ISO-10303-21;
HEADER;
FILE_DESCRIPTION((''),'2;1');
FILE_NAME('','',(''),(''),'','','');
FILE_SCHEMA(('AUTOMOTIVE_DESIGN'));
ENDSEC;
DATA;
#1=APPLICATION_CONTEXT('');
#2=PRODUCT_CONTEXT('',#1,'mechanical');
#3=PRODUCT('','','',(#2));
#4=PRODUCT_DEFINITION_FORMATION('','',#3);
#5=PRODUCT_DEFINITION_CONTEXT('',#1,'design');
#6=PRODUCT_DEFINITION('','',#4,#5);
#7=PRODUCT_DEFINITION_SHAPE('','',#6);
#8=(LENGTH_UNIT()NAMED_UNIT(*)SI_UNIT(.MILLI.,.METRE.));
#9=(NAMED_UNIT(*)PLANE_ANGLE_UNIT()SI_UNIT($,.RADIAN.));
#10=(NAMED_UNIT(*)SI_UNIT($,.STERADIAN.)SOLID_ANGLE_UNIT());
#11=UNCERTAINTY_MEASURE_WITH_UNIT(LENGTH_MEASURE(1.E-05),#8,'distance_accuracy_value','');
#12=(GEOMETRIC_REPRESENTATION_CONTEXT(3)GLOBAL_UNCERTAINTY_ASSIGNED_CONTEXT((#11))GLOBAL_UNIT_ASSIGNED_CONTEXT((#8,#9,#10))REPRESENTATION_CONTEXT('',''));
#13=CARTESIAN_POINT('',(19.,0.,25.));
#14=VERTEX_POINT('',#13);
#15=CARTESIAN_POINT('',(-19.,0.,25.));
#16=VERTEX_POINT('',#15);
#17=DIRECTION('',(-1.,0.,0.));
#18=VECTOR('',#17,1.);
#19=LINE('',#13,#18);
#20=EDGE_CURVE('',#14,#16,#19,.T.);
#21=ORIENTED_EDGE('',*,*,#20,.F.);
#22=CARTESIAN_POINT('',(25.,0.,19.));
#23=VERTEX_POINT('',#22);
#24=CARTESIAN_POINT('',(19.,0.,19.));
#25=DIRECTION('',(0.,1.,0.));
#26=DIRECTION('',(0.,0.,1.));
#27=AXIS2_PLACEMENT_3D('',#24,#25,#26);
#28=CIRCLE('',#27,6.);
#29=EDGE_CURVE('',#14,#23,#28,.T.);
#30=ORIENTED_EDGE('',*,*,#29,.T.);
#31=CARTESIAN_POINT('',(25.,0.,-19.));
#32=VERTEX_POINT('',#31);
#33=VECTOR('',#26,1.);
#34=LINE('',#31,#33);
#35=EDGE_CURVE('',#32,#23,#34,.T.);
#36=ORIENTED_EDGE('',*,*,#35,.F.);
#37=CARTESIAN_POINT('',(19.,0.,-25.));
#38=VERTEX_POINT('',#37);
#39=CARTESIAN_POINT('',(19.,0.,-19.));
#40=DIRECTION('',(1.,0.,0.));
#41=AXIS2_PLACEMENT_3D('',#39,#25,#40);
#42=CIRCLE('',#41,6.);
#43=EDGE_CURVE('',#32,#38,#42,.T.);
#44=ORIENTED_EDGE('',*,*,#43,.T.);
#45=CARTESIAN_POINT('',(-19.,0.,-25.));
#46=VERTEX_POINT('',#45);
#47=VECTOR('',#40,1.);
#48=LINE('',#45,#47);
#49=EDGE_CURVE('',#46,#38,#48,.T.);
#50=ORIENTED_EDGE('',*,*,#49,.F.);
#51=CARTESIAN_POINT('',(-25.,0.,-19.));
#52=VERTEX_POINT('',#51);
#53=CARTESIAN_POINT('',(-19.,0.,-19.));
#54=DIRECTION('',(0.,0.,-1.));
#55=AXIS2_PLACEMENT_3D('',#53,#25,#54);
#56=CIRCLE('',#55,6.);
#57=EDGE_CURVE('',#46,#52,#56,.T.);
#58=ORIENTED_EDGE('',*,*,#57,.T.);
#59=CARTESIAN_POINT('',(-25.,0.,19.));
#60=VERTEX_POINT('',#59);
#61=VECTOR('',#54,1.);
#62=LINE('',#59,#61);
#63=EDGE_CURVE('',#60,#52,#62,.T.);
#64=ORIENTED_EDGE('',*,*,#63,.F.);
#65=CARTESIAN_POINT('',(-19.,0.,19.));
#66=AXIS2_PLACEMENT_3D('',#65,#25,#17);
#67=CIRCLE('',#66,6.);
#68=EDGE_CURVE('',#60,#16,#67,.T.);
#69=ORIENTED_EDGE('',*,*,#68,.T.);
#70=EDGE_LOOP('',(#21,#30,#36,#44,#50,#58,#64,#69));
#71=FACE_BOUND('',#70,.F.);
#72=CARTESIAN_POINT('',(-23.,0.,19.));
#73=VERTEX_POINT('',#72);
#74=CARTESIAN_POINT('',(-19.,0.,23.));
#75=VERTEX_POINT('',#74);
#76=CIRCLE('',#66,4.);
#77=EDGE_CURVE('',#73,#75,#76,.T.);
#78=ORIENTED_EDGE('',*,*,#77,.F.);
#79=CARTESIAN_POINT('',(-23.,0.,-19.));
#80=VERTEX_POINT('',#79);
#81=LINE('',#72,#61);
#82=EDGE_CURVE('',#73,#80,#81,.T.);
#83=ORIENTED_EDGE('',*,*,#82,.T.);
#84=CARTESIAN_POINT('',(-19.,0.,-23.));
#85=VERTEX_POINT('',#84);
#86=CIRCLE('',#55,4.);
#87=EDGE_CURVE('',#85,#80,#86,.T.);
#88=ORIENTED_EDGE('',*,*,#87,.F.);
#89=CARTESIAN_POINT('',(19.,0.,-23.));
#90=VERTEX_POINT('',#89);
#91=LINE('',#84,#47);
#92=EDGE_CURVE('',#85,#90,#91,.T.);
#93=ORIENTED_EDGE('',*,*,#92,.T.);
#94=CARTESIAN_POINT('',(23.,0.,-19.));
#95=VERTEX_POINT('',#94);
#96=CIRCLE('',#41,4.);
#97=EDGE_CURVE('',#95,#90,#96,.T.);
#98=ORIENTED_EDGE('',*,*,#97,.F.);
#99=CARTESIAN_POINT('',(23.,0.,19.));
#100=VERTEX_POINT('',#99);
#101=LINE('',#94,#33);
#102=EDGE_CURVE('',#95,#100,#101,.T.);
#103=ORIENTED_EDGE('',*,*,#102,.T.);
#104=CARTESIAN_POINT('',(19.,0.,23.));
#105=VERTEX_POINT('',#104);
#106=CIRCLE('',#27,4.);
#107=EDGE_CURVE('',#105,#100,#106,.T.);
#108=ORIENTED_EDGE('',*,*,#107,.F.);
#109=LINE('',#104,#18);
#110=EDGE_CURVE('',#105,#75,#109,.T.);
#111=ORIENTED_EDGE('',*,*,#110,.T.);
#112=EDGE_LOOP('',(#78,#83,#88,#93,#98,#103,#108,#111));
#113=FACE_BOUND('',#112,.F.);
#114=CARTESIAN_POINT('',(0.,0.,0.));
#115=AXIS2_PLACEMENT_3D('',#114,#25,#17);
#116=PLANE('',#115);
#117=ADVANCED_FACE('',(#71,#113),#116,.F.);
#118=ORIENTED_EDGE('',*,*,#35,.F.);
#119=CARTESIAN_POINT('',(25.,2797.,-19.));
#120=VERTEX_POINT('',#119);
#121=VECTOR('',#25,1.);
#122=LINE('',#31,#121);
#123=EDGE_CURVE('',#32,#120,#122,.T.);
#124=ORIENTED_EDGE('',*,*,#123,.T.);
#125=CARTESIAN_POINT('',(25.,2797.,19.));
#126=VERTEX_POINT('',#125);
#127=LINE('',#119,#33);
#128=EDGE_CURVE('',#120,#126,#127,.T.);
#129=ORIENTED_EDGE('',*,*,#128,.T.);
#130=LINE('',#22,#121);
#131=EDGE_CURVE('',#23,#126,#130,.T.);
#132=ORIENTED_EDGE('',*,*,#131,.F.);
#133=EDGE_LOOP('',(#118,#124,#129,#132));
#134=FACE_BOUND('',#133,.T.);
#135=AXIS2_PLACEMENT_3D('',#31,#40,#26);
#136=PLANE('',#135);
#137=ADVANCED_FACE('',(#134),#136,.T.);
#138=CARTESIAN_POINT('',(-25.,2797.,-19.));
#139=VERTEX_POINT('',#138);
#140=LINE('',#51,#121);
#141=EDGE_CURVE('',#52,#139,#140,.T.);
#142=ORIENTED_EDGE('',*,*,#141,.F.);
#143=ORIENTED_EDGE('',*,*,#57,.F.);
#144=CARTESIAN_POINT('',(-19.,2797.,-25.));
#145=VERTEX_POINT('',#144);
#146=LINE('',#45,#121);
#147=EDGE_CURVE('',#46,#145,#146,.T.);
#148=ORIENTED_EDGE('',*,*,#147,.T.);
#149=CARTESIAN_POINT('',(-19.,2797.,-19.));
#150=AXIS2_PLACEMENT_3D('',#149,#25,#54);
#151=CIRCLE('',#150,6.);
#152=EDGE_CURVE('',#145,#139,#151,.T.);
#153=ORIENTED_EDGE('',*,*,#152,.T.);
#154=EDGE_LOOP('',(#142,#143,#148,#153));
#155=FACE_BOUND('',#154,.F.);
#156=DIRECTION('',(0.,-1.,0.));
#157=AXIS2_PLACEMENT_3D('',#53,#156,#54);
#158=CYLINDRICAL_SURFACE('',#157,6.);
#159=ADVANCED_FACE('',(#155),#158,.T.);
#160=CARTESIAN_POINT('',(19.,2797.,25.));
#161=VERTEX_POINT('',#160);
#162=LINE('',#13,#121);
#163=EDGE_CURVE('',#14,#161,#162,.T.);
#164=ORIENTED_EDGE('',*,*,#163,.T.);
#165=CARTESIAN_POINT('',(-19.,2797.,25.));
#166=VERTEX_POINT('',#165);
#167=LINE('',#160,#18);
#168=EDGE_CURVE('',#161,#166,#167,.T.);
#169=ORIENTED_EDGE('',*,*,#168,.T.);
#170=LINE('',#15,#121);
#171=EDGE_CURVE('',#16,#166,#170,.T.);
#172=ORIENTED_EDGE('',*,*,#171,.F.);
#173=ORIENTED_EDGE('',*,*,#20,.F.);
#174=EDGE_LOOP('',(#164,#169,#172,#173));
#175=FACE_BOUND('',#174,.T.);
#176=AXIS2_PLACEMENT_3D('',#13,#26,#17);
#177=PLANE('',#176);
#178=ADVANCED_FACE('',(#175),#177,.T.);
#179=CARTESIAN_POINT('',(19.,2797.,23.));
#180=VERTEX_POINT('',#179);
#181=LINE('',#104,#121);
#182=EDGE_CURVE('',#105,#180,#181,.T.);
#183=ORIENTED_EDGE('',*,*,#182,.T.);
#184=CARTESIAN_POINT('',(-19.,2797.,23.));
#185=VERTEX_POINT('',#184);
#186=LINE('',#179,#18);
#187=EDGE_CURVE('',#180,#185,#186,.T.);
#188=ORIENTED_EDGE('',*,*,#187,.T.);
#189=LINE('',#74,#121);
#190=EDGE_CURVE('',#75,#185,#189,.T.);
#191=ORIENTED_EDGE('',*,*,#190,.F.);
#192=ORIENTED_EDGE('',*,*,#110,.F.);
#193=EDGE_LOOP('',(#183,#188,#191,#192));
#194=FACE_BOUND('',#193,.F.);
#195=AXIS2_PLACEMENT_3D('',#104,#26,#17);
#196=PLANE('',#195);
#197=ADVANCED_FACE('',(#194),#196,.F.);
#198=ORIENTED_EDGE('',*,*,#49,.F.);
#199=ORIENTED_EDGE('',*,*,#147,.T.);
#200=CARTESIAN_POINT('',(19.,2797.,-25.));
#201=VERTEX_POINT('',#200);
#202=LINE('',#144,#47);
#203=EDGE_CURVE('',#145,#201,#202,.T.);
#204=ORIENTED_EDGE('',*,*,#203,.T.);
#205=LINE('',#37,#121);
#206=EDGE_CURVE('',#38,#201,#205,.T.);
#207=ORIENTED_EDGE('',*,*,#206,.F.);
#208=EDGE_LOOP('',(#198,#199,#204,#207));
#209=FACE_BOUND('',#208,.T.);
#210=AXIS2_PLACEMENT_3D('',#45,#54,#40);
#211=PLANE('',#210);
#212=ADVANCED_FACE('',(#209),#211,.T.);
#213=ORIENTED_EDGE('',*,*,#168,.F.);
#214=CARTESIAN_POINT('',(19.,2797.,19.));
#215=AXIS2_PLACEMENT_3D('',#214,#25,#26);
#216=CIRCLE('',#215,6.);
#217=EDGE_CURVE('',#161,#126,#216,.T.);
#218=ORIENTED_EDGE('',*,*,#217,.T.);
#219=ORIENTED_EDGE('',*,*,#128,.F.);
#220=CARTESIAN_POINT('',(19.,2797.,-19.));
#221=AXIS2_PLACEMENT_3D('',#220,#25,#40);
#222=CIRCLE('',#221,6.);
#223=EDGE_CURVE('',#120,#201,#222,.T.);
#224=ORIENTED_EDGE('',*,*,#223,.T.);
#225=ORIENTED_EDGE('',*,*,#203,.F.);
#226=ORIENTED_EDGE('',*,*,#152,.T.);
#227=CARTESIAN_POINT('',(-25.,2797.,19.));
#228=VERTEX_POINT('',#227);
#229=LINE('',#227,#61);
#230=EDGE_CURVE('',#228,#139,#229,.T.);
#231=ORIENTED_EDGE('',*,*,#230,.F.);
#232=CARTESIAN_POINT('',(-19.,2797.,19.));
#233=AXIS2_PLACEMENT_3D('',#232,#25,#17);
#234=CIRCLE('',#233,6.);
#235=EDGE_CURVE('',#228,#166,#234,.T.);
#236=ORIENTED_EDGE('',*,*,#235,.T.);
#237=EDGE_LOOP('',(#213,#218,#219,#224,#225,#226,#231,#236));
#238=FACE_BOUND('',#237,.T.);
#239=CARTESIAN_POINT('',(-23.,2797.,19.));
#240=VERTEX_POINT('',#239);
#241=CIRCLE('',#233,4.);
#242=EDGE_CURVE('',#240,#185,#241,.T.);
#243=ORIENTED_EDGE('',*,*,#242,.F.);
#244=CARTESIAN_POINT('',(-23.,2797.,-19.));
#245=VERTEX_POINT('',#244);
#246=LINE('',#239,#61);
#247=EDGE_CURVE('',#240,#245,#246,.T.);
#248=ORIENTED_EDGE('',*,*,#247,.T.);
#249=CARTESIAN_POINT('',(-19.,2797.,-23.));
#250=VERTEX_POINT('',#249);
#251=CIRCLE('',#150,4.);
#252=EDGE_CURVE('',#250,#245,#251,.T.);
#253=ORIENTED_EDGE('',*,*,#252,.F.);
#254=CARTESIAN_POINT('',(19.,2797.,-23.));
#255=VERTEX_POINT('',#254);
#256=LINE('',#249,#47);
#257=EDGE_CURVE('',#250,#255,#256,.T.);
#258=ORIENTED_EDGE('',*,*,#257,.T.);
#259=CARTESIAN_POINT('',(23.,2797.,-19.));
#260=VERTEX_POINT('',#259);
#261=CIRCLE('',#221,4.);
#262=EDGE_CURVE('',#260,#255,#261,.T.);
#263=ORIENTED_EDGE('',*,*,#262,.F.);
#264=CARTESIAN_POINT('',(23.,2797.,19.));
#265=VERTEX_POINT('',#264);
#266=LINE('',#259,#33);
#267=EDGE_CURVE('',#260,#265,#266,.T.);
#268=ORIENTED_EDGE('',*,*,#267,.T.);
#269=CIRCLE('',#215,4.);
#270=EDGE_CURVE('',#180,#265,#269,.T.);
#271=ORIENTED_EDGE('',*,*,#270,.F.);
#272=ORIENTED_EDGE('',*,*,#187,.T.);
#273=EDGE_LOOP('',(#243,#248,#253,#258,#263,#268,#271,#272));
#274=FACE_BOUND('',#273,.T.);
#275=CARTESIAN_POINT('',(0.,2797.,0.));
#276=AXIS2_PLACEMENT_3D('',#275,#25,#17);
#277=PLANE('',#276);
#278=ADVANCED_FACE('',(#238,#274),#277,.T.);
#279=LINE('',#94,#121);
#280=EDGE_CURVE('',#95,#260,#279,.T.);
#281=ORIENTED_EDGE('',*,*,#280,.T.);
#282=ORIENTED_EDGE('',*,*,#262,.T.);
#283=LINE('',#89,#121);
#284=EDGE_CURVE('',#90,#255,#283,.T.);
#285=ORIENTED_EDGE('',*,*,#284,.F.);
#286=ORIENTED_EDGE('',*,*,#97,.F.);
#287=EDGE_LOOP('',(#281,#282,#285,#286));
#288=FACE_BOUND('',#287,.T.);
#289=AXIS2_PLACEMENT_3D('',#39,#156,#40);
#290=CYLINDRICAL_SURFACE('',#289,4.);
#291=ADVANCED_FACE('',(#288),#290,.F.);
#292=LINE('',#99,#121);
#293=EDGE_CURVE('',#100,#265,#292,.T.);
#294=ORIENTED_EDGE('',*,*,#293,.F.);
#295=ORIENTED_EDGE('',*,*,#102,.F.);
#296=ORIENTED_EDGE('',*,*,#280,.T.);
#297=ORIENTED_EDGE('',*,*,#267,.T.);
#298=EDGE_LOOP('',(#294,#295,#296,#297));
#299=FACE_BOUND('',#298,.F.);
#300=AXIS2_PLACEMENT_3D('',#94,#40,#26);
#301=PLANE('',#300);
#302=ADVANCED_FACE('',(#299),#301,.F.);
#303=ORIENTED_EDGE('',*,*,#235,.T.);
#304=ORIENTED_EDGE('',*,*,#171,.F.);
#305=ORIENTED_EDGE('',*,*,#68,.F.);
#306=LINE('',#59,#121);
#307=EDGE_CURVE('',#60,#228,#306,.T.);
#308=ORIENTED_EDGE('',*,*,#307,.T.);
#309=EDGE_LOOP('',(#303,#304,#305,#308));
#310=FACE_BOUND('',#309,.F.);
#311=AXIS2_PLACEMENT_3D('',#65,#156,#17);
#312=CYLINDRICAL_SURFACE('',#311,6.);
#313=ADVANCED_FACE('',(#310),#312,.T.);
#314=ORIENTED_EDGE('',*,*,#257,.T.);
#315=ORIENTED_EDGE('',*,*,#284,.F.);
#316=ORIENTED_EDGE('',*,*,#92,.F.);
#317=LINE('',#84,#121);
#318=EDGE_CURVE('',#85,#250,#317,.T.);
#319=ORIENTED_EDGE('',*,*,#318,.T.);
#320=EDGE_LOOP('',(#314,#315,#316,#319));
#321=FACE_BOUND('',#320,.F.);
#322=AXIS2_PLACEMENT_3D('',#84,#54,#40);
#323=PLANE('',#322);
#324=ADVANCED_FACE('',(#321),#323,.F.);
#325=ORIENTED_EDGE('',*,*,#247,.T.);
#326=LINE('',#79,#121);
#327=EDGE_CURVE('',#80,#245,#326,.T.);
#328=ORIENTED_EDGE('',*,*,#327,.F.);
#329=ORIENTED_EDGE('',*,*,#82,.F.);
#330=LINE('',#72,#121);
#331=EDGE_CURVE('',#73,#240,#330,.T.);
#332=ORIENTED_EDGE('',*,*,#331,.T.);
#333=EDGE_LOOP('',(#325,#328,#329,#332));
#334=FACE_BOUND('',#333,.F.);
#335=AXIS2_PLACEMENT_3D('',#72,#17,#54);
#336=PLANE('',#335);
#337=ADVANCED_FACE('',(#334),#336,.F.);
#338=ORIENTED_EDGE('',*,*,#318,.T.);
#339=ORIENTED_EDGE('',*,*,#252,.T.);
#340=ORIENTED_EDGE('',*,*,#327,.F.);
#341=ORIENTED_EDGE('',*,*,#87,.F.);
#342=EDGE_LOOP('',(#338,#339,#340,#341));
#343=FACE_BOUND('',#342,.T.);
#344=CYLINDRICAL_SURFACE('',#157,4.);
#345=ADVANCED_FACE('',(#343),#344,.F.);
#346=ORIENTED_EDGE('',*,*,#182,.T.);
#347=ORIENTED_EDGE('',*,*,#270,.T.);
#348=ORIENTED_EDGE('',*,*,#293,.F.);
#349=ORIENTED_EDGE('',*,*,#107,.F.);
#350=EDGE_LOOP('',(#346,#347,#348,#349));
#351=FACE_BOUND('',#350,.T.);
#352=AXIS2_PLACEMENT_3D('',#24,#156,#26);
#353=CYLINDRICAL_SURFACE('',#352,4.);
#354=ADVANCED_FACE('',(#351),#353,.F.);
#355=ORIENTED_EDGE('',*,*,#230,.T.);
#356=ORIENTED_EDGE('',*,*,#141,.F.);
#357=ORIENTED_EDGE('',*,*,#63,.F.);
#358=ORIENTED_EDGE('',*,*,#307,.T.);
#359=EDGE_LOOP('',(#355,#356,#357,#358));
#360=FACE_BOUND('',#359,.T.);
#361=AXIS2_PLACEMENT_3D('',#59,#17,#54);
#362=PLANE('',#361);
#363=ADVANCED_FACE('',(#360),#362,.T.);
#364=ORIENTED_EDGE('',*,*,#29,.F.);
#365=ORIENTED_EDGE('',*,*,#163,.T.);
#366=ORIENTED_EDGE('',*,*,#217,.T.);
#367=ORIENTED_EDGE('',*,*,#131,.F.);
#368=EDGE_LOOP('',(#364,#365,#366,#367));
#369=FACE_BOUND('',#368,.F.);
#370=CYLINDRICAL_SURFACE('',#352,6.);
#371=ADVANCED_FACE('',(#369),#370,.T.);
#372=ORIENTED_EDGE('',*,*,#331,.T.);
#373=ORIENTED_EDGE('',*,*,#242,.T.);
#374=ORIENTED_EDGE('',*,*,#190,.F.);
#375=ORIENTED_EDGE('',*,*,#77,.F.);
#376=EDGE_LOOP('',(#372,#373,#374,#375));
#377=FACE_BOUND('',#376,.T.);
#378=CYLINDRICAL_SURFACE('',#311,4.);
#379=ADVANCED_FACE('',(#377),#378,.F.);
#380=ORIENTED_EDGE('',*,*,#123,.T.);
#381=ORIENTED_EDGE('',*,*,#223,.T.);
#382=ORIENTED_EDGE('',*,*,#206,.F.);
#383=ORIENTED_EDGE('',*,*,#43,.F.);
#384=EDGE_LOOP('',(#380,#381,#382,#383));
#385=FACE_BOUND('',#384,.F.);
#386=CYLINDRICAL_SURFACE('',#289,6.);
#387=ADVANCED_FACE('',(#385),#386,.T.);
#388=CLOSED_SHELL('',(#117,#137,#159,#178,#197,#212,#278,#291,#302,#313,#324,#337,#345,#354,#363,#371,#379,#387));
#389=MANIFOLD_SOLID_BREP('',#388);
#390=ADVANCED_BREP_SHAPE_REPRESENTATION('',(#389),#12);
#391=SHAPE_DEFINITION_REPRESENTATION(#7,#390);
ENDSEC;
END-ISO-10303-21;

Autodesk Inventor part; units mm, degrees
ref_plane "YZ Plane" through (0, 0, 0) normal (1, 0, 0) x (0, 1, 0)
ref_plane "XZ Plane" through (0, 0, 0) normal (0, 1, 0) x (-1, 0, 0)
ref_plane "XY Plane" through (0, 0, 0) normal (0, 0, 1) x (1, 0, 0)
sketch "Sketch1" plane through (0, 0, 0) normal (0, 1, 0) x (-1, 0, 0)
  line L0 (-25, -19) -> (-25, 19)
  line L1 (-19, 25) -> (19, 25)
  line L2 (25, 19) -> (25, -19)
  line L3 (19, -25) -> (-19, -25)
  arc A0 (-25, -19) -> (-19, -25) centre (-19, -19) ccw
  arc A1 (25, 19) -> (19, 25) centre (19, 19) ccw
  arc A2 (-19, 25) -> (-25, 19) centre (-19, 19) ccw
  arc A3 (19, -25) -> (25, -19) centre (19, -19) ccw
  arc A4 (-19, 23) -> (-23, 19) centre (-19, 19) ccw
  line L4 (-19, 23) -> (19, 23)
  arc A5 (23, 19) -> (19, 23) centre (19, 19) ccw
  line L5 (23, 19) -> (23, -19)
  arc A6 (19, -23) -> (23, -19) centre (19, -19) ccw
  line L6 (19, -23) -> (-19, -23)
  arc A7 (-23, -19) -> (-19, -23) centre (-19, -19) ccw
  line L7 (-23, -19) -> (-23, 19)
  line L8 (0, 25) -> (0, -25) construction
  point P0 (0, 0)
  point P1 (0, 0)
  dimension "d0" = 6
  dimension "d1" = 50
  dimension "d2" = 50
  dimension "d3" = 2
extrude "Extrusion1" add sketch "Sketch1" along normal blind 2797
equation "\"d6\" = 6"
equation "\"d9\" = 3"
properties part number "BSH 073 tube 3" material "Steel"
